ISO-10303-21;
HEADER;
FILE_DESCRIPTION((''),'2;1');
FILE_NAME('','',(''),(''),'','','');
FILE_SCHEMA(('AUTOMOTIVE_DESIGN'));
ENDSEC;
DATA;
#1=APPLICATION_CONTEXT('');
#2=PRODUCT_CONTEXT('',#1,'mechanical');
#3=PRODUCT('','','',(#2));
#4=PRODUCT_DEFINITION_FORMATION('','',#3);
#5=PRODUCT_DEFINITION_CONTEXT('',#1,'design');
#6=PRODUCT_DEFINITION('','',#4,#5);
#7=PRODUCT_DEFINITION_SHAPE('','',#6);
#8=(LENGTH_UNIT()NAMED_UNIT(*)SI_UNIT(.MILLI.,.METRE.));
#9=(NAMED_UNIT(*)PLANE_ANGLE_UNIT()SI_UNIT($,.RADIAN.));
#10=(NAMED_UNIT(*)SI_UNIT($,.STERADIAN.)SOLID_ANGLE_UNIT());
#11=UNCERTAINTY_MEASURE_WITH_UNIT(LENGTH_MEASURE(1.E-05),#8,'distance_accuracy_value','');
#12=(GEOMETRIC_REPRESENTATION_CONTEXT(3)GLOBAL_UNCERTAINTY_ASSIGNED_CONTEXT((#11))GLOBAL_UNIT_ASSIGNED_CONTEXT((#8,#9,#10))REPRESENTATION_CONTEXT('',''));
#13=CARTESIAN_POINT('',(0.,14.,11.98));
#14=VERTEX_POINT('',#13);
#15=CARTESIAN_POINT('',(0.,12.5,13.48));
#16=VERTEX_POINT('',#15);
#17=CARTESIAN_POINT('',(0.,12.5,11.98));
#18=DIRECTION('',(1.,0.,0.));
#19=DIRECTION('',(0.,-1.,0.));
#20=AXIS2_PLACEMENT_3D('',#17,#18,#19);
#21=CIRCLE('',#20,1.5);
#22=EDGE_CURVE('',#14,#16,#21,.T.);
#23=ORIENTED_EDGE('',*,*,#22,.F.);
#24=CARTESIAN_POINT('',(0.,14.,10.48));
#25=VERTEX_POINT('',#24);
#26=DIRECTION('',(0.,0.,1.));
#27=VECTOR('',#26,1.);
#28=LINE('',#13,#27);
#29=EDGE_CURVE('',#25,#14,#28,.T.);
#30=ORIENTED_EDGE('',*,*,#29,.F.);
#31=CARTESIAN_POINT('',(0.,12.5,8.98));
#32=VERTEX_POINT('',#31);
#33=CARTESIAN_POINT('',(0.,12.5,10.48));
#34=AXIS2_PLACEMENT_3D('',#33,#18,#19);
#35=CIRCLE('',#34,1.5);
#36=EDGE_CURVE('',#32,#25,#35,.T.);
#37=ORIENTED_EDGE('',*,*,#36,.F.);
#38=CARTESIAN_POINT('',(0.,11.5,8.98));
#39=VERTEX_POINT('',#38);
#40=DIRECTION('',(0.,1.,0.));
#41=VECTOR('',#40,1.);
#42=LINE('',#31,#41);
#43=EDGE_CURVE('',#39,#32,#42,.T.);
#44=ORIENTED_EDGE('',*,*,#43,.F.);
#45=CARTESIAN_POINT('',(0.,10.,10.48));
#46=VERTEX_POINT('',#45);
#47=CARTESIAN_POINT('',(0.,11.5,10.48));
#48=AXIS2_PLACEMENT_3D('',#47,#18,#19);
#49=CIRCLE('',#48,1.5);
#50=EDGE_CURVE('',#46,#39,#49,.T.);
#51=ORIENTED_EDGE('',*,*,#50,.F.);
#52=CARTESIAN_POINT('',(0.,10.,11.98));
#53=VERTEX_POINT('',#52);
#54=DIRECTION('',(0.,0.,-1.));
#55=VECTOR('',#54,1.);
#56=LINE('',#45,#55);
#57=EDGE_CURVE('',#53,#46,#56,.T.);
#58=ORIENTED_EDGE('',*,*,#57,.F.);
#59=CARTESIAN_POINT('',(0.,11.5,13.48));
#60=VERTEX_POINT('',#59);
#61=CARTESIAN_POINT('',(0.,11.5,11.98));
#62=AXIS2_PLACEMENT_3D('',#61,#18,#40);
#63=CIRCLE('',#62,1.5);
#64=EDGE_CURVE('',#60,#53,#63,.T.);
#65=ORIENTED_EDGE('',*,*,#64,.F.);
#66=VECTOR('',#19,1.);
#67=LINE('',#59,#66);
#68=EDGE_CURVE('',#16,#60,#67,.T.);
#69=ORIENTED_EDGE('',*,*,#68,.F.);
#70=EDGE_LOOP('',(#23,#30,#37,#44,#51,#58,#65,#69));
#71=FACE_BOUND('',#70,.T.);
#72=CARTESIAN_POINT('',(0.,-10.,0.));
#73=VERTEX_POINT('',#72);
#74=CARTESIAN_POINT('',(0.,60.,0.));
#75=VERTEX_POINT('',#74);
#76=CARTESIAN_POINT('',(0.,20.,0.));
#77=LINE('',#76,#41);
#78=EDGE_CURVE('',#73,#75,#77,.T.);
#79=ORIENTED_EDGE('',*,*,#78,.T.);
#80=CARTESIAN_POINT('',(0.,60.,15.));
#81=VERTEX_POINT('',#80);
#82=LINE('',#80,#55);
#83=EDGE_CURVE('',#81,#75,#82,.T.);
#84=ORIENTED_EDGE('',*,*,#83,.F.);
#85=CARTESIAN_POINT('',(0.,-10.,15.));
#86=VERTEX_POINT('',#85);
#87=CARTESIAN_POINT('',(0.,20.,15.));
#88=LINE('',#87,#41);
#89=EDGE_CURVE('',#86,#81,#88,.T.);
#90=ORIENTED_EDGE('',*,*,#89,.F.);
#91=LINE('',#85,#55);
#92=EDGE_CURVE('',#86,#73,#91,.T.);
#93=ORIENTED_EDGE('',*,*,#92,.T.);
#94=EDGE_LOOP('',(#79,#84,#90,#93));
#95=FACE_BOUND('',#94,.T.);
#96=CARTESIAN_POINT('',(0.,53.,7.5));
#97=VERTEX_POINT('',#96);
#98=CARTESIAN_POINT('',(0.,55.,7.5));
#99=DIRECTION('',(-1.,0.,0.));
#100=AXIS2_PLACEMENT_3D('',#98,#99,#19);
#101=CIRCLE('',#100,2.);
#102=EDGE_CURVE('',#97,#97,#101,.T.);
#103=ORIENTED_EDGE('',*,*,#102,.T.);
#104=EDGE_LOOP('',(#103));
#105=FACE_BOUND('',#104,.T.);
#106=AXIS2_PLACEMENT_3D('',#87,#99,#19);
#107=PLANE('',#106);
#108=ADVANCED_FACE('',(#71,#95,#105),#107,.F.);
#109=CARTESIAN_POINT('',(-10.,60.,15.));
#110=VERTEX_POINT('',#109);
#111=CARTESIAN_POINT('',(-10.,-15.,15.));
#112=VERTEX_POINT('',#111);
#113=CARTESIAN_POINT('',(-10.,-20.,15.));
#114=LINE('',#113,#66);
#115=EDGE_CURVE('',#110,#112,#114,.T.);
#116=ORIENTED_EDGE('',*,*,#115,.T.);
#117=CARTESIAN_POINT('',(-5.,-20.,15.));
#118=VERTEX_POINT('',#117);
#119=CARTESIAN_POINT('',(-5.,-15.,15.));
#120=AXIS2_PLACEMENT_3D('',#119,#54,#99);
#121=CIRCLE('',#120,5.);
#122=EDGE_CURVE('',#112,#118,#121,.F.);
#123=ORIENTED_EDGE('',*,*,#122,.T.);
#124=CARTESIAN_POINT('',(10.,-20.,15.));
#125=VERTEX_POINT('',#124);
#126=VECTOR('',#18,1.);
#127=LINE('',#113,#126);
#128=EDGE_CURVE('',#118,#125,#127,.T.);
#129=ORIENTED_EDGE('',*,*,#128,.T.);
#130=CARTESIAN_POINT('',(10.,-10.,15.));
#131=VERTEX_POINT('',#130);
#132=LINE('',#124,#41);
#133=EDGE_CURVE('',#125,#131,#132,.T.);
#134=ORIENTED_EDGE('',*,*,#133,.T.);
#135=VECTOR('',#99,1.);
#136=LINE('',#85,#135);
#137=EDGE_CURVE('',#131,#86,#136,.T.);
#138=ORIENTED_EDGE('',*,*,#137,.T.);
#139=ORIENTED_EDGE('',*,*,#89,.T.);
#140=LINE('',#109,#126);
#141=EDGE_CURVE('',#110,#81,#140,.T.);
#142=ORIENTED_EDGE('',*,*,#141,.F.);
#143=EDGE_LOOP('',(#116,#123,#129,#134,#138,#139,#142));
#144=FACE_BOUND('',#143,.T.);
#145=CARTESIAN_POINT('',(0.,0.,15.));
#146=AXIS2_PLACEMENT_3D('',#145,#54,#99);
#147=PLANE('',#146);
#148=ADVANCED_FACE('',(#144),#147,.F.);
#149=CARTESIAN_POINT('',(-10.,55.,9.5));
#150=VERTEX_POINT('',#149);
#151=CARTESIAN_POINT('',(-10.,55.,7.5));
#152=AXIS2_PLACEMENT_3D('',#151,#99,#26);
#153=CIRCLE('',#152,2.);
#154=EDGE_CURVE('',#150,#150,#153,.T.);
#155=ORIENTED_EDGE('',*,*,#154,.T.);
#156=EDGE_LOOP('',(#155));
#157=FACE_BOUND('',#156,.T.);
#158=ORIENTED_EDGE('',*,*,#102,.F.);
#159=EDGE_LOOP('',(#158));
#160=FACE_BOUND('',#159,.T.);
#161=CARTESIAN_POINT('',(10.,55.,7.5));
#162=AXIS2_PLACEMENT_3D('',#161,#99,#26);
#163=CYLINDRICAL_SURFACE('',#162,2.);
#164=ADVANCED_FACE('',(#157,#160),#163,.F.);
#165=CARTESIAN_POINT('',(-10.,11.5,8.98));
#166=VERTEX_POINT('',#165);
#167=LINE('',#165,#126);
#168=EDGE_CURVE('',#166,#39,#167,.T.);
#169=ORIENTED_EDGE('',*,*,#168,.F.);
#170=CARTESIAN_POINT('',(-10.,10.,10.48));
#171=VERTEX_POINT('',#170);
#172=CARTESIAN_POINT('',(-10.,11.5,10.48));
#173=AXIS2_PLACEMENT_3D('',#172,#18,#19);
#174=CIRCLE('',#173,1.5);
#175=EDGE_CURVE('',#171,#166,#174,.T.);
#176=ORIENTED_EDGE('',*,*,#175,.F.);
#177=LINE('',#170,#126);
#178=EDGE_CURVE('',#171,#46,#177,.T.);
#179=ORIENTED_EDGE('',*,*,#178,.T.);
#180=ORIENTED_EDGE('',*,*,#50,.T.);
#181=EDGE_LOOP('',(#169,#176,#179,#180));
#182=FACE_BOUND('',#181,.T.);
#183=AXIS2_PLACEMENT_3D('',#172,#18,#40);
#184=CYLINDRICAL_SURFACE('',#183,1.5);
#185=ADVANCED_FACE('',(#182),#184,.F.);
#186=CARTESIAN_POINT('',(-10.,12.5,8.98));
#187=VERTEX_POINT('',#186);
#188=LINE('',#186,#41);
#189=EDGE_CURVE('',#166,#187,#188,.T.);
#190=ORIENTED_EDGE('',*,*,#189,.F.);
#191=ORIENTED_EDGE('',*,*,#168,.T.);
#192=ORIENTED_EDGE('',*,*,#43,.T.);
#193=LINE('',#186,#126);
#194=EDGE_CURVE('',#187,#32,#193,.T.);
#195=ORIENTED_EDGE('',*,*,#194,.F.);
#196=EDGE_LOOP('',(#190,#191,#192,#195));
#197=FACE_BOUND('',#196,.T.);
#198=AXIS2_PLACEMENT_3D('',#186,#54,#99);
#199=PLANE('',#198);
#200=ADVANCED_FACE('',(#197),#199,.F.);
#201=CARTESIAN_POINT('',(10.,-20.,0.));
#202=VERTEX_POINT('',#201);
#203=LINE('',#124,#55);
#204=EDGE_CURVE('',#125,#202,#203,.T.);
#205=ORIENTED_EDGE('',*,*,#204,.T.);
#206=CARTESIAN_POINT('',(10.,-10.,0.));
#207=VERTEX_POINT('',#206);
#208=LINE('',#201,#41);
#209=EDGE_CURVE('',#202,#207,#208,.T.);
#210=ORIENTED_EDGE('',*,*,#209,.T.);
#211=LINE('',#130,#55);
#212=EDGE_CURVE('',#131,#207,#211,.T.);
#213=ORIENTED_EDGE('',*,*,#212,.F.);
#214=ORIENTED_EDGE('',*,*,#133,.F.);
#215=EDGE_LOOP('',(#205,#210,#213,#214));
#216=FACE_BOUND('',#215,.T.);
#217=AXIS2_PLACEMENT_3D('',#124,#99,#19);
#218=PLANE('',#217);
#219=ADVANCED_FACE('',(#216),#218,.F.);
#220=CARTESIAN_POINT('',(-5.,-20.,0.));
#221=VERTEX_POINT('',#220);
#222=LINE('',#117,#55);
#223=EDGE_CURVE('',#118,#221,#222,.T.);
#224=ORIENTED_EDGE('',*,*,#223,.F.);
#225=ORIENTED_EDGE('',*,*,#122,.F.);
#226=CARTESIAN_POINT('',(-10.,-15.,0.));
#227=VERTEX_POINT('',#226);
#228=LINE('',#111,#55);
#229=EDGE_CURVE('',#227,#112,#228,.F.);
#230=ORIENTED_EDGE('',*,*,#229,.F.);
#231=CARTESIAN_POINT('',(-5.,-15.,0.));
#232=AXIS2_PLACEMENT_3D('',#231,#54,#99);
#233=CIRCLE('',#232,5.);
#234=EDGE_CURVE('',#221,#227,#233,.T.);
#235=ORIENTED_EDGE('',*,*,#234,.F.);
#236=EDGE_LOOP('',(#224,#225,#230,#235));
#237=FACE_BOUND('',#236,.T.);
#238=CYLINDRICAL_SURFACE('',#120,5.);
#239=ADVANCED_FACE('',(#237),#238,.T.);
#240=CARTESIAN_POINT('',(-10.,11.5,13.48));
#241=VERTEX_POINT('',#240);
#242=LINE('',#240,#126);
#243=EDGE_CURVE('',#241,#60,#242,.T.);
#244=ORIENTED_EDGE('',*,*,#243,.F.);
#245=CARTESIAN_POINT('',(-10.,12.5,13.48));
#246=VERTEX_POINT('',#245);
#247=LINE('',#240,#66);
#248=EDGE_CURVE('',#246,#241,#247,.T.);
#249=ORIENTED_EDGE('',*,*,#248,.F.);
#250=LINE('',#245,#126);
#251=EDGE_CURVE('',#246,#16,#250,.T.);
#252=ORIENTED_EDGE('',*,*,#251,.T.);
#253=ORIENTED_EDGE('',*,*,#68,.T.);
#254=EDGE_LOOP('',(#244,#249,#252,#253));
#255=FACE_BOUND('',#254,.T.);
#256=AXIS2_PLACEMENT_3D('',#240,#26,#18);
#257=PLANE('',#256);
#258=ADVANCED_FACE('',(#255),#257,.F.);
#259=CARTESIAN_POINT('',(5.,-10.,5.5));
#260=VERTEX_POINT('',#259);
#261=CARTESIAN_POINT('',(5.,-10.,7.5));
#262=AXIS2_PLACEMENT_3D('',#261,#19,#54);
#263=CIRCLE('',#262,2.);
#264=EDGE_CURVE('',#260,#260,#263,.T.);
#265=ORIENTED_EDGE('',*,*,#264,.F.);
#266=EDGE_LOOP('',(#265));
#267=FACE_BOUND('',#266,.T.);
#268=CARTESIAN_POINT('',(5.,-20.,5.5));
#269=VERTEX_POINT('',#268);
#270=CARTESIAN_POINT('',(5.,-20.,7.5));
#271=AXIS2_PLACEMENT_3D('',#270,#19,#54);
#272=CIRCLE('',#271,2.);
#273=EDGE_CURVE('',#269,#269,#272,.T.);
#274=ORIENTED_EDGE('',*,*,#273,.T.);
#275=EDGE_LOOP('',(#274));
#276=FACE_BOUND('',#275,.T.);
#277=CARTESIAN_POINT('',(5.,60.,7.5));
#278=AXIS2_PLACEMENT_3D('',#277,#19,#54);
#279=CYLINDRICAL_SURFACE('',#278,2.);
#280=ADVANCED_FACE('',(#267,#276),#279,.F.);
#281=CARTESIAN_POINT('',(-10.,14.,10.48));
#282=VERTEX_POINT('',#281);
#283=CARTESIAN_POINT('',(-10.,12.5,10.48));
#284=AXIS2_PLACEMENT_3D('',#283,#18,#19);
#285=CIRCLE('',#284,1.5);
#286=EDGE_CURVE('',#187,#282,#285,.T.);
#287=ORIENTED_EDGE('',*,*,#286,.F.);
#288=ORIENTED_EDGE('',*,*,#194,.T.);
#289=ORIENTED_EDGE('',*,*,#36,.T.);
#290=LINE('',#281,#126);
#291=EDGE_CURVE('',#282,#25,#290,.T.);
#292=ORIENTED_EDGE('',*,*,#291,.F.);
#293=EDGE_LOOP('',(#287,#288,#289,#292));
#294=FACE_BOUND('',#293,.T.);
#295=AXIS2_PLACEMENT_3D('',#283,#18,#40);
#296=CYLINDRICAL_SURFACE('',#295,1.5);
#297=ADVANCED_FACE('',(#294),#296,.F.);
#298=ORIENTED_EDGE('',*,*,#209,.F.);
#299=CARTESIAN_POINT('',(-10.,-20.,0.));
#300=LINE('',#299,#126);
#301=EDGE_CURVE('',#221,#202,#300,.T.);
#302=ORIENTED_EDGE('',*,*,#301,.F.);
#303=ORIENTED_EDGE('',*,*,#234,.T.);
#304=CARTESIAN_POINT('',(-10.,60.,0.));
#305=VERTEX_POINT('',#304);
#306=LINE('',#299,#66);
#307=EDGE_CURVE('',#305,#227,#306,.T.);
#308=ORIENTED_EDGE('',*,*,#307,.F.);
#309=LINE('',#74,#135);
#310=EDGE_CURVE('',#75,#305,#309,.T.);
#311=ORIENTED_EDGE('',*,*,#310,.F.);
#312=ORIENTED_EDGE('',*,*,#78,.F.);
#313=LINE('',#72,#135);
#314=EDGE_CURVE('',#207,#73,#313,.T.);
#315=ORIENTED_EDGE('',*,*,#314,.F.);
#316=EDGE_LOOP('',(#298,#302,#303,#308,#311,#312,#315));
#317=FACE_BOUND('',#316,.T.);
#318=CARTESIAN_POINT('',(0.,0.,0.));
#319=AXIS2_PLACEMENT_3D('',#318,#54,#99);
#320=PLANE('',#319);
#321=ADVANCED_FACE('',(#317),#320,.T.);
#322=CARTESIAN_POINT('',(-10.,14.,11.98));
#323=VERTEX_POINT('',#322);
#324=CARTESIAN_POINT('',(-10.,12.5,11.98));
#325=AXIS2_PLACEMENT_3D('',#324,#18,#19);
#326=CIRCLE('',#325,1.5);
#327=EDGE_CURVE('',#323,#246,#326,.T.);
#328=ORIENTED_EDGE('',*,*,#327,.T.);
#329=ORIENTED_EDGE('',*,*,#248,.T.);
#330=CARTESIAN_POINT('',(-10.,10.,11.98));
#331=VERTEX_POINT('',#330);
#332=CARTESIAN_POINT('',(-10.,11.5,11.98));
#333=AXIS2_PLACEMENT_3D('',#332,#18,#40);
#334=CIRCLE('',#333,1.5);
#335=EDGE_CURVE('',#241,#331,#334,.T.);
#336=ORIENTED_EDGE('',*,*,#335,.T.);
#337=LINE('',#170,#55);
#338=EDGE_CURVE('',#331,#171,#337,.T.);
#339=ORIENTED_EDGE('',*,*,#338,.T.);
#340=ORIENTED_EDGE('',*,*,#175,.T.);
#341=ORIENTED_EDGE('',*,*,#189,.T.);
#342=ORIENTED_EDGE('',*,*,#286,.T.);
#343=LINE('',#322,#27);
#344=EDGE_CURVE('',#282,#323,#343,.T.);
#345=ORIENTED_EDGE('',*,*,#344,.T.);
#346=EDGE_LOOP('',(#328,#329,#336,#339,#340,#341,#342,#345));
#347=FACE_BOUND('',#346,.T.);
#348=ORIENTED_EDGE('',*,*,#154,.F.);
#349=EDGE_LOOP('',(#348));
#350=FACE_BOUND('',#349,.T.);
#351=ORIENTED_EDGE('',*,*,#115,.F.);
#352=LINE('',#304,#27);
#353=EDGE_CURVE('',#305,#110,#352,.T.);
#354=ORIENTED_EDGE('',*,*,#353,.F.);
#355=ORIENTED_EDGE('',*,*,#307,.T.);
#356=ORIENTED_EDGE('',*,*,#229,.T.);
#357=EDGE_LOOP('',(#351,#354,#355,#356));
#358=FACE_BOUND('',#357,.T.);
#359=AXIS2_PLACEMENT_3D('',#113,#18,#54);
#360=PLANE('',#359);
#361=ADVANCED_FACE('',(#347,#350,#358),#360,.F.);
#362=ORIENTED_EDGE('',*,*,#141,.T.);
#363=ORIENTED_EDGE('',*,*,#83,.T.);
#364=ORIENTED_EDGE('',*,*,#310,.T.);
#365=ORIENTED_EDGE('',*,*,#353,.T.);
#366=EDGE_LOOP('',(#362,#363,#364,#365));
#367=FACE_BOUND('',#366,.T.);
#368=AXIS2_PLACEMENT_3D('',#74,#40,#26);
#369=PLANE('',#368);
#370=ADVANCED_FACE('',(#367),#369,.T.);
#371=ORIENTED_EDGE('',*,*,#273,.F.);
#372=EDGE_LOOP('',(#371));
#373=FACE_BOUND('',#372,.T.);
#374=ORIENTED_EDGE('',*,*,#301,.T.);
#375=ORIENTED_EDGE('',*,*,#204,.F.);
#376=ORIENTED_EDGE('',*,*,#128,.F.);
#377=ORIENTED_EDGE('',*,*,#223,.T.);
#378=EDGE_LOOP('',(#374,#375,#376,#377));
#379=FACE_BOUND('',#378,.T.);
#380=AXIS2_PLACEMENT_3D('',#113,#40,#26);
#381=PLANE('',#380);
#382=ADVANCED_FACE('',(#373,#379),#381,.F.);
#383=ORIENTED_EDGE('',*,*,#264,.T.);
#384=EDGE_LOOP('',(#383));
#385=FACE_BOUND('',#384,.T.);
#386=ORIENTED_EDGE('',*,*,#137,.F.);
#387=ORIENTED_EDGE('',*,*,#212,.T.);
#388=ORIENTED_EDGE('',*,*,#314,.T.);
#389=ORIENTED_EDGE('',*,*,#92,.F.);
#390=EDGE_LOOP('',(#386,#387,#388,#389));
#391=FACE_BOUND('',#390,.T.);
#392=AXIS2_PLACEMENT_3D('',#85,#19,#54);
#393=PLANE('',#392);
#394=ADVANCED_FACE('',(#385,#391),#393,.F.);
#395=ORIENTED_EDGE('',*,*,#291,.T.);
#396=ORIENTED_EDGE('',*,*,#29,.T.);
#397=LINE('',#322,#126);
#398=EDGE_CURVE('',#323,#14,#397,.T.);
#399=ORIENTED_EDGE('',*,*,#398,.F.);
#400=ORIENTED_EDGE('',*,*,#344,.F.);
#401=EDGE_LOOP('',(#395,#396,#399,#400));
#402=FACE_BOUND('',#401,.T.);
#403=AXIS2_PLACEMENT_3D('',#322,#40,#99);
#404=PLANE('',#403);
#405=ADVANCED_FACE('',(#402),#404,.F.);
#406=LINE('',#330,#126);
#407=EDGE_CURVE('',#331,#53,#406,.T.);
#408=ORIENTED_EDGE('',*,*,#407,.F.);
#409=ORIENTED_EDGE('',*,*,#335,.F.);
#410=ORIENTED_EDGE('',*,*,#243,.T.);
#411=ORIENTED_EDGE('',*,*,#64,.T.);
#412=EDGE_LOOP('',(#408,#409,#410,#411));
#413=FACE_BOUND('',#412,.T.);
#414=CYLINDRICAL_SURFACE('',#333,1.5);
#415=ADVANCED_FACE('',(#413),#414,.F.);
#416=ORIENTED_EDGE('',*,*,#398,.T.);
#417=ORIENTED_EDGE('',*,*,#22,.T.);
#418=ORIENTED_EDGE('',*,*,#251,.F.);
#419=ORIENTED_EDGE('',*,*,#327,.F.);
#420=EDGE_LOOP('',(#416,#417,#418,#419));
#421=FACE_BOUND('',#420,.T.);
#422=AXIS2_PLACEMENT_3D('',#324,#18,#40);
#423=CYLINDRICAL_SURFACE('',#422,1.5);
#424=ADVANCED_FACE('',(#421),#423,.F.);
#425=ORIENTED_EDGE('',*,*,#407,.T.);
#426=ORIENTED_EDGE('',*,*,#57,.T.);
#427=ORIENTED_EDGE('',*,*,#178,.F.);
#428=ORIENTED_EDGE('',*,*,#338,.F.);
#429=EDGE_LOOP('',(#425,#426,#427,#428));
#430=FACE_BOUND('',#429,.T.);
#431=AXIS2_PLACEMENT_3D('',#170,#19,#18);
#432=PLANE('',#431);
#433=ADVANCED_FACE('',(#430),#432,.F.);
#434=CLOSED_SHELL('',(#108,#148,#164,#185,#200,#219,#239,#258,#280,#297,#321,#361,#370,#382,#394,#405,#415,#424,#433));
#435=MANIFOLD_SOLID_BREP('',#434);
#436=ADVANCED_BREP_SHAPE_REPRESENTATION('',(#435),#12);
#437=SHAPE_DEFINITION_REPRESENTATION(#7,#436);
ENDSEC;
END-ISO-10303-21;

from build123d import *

# Parameters (mm, degrees)
BOSS_EXTRUDE1_DEPTH = 15
FILLET1_R           = 5
SKETCH2_W           = 10
SKETCH2_H           = 15
BOSS_EXTRUDE2_DEPTH = 40
SKETCH3_R           = 2
CUT_EXTRUDE1_DEPTH  = 81
CUT_EXTRUDE2_DEPTH  = 11
SKETCH5_R           = 2
CUT_EXTRUDE3_DEPTH  = 21


with BuildPart() as part:
    # Sketch1 → Boss-Extrude1 (new body)
    with BuildSketch(Plane.XY):
        Polygon((0, 20), (0, -10), (10, -10), (10, -20), (-10, -20), (-10, 20), align=None)
    extrude(amount=BOSS_EXTRUDE1_DEPTH)

    # Fillet1
    fillet1_edges = [part.edges().sort_by_distance(p)[0] for p in [
        (-10, -20, 7.5),
    ]]
    fillet(fillet1_edges, radius=FILLET1_R)

    # Sketch2 → Boss-Extrude2 (add)
    with BuildSketch(Plane(origin=(0, 20, 0), x_dir=(1, 0, 0), z_dir=(0, 1, 0))):
        with Locations((-5, -7.5)):
            Rectangle(SKETCH2_W, SKETCH2_H)
    extrude(amount=BOSS_EXTRUDE2_DEPTH)

    # Sketch3 → Cut-Extrude1 (cut, through all)
    with BuildSketch(Plane.XZ.offset(20)):
        with Locations((5, 7.5)):
            Circle(SKETCH3_R)
    extrude(amount=-CUT_EXTRUDE1_DEPTH, mode=Mode.SUBTRACT)

    # Sketch4 → Cut-Extrude2 (cut, through all)
    with BuildSketch(Plane(origin=(0, 0, 0), x_dir=(0, 0, -1), z_dir=(1, 0, 0))):
        with BuildLine():
            Line((-10.48, 10), (-11.98, 10))
            ThreePointArc((-11.98, 10), (-13.040660172, 10.439339828), (-13.48, 11.5))
            Line((-13.48, 11.5), (-13.48, 12.5))
            ThreePointArc((-13.48, 12.5), (-13.040660172, 13.560660172), (-11.98, 14))
            Line((-11.98, 14), (-10.48, 14))
            ThreePointArc((-10.48, 14), (-9.419339828, 13.560660172), (-8.98, 12.5))
            Line((-8.98, 12.5), (-8.98, 11.5))
            ThreePointArc((-8.98, 11.5), (-9.419339828, 10.439339828), (-10.48, 10))
        make_face()
    extrude(amount=-CUT_EXTRUDE2_DEPTH, mode=Mode.SUBTRACT)

    # Sketch5 → Cut-Extrude3 (cut, through all)
    with BuildSketch(Plane.ZY.offset(10)):
        with Locations((7.5, 55)):
            Circle(SKETCH5_R)
    extrude(amount=-CUT_EXTRUDE3_DEPTH, mode=Mode.SUBTRACT)


solid = part.part
